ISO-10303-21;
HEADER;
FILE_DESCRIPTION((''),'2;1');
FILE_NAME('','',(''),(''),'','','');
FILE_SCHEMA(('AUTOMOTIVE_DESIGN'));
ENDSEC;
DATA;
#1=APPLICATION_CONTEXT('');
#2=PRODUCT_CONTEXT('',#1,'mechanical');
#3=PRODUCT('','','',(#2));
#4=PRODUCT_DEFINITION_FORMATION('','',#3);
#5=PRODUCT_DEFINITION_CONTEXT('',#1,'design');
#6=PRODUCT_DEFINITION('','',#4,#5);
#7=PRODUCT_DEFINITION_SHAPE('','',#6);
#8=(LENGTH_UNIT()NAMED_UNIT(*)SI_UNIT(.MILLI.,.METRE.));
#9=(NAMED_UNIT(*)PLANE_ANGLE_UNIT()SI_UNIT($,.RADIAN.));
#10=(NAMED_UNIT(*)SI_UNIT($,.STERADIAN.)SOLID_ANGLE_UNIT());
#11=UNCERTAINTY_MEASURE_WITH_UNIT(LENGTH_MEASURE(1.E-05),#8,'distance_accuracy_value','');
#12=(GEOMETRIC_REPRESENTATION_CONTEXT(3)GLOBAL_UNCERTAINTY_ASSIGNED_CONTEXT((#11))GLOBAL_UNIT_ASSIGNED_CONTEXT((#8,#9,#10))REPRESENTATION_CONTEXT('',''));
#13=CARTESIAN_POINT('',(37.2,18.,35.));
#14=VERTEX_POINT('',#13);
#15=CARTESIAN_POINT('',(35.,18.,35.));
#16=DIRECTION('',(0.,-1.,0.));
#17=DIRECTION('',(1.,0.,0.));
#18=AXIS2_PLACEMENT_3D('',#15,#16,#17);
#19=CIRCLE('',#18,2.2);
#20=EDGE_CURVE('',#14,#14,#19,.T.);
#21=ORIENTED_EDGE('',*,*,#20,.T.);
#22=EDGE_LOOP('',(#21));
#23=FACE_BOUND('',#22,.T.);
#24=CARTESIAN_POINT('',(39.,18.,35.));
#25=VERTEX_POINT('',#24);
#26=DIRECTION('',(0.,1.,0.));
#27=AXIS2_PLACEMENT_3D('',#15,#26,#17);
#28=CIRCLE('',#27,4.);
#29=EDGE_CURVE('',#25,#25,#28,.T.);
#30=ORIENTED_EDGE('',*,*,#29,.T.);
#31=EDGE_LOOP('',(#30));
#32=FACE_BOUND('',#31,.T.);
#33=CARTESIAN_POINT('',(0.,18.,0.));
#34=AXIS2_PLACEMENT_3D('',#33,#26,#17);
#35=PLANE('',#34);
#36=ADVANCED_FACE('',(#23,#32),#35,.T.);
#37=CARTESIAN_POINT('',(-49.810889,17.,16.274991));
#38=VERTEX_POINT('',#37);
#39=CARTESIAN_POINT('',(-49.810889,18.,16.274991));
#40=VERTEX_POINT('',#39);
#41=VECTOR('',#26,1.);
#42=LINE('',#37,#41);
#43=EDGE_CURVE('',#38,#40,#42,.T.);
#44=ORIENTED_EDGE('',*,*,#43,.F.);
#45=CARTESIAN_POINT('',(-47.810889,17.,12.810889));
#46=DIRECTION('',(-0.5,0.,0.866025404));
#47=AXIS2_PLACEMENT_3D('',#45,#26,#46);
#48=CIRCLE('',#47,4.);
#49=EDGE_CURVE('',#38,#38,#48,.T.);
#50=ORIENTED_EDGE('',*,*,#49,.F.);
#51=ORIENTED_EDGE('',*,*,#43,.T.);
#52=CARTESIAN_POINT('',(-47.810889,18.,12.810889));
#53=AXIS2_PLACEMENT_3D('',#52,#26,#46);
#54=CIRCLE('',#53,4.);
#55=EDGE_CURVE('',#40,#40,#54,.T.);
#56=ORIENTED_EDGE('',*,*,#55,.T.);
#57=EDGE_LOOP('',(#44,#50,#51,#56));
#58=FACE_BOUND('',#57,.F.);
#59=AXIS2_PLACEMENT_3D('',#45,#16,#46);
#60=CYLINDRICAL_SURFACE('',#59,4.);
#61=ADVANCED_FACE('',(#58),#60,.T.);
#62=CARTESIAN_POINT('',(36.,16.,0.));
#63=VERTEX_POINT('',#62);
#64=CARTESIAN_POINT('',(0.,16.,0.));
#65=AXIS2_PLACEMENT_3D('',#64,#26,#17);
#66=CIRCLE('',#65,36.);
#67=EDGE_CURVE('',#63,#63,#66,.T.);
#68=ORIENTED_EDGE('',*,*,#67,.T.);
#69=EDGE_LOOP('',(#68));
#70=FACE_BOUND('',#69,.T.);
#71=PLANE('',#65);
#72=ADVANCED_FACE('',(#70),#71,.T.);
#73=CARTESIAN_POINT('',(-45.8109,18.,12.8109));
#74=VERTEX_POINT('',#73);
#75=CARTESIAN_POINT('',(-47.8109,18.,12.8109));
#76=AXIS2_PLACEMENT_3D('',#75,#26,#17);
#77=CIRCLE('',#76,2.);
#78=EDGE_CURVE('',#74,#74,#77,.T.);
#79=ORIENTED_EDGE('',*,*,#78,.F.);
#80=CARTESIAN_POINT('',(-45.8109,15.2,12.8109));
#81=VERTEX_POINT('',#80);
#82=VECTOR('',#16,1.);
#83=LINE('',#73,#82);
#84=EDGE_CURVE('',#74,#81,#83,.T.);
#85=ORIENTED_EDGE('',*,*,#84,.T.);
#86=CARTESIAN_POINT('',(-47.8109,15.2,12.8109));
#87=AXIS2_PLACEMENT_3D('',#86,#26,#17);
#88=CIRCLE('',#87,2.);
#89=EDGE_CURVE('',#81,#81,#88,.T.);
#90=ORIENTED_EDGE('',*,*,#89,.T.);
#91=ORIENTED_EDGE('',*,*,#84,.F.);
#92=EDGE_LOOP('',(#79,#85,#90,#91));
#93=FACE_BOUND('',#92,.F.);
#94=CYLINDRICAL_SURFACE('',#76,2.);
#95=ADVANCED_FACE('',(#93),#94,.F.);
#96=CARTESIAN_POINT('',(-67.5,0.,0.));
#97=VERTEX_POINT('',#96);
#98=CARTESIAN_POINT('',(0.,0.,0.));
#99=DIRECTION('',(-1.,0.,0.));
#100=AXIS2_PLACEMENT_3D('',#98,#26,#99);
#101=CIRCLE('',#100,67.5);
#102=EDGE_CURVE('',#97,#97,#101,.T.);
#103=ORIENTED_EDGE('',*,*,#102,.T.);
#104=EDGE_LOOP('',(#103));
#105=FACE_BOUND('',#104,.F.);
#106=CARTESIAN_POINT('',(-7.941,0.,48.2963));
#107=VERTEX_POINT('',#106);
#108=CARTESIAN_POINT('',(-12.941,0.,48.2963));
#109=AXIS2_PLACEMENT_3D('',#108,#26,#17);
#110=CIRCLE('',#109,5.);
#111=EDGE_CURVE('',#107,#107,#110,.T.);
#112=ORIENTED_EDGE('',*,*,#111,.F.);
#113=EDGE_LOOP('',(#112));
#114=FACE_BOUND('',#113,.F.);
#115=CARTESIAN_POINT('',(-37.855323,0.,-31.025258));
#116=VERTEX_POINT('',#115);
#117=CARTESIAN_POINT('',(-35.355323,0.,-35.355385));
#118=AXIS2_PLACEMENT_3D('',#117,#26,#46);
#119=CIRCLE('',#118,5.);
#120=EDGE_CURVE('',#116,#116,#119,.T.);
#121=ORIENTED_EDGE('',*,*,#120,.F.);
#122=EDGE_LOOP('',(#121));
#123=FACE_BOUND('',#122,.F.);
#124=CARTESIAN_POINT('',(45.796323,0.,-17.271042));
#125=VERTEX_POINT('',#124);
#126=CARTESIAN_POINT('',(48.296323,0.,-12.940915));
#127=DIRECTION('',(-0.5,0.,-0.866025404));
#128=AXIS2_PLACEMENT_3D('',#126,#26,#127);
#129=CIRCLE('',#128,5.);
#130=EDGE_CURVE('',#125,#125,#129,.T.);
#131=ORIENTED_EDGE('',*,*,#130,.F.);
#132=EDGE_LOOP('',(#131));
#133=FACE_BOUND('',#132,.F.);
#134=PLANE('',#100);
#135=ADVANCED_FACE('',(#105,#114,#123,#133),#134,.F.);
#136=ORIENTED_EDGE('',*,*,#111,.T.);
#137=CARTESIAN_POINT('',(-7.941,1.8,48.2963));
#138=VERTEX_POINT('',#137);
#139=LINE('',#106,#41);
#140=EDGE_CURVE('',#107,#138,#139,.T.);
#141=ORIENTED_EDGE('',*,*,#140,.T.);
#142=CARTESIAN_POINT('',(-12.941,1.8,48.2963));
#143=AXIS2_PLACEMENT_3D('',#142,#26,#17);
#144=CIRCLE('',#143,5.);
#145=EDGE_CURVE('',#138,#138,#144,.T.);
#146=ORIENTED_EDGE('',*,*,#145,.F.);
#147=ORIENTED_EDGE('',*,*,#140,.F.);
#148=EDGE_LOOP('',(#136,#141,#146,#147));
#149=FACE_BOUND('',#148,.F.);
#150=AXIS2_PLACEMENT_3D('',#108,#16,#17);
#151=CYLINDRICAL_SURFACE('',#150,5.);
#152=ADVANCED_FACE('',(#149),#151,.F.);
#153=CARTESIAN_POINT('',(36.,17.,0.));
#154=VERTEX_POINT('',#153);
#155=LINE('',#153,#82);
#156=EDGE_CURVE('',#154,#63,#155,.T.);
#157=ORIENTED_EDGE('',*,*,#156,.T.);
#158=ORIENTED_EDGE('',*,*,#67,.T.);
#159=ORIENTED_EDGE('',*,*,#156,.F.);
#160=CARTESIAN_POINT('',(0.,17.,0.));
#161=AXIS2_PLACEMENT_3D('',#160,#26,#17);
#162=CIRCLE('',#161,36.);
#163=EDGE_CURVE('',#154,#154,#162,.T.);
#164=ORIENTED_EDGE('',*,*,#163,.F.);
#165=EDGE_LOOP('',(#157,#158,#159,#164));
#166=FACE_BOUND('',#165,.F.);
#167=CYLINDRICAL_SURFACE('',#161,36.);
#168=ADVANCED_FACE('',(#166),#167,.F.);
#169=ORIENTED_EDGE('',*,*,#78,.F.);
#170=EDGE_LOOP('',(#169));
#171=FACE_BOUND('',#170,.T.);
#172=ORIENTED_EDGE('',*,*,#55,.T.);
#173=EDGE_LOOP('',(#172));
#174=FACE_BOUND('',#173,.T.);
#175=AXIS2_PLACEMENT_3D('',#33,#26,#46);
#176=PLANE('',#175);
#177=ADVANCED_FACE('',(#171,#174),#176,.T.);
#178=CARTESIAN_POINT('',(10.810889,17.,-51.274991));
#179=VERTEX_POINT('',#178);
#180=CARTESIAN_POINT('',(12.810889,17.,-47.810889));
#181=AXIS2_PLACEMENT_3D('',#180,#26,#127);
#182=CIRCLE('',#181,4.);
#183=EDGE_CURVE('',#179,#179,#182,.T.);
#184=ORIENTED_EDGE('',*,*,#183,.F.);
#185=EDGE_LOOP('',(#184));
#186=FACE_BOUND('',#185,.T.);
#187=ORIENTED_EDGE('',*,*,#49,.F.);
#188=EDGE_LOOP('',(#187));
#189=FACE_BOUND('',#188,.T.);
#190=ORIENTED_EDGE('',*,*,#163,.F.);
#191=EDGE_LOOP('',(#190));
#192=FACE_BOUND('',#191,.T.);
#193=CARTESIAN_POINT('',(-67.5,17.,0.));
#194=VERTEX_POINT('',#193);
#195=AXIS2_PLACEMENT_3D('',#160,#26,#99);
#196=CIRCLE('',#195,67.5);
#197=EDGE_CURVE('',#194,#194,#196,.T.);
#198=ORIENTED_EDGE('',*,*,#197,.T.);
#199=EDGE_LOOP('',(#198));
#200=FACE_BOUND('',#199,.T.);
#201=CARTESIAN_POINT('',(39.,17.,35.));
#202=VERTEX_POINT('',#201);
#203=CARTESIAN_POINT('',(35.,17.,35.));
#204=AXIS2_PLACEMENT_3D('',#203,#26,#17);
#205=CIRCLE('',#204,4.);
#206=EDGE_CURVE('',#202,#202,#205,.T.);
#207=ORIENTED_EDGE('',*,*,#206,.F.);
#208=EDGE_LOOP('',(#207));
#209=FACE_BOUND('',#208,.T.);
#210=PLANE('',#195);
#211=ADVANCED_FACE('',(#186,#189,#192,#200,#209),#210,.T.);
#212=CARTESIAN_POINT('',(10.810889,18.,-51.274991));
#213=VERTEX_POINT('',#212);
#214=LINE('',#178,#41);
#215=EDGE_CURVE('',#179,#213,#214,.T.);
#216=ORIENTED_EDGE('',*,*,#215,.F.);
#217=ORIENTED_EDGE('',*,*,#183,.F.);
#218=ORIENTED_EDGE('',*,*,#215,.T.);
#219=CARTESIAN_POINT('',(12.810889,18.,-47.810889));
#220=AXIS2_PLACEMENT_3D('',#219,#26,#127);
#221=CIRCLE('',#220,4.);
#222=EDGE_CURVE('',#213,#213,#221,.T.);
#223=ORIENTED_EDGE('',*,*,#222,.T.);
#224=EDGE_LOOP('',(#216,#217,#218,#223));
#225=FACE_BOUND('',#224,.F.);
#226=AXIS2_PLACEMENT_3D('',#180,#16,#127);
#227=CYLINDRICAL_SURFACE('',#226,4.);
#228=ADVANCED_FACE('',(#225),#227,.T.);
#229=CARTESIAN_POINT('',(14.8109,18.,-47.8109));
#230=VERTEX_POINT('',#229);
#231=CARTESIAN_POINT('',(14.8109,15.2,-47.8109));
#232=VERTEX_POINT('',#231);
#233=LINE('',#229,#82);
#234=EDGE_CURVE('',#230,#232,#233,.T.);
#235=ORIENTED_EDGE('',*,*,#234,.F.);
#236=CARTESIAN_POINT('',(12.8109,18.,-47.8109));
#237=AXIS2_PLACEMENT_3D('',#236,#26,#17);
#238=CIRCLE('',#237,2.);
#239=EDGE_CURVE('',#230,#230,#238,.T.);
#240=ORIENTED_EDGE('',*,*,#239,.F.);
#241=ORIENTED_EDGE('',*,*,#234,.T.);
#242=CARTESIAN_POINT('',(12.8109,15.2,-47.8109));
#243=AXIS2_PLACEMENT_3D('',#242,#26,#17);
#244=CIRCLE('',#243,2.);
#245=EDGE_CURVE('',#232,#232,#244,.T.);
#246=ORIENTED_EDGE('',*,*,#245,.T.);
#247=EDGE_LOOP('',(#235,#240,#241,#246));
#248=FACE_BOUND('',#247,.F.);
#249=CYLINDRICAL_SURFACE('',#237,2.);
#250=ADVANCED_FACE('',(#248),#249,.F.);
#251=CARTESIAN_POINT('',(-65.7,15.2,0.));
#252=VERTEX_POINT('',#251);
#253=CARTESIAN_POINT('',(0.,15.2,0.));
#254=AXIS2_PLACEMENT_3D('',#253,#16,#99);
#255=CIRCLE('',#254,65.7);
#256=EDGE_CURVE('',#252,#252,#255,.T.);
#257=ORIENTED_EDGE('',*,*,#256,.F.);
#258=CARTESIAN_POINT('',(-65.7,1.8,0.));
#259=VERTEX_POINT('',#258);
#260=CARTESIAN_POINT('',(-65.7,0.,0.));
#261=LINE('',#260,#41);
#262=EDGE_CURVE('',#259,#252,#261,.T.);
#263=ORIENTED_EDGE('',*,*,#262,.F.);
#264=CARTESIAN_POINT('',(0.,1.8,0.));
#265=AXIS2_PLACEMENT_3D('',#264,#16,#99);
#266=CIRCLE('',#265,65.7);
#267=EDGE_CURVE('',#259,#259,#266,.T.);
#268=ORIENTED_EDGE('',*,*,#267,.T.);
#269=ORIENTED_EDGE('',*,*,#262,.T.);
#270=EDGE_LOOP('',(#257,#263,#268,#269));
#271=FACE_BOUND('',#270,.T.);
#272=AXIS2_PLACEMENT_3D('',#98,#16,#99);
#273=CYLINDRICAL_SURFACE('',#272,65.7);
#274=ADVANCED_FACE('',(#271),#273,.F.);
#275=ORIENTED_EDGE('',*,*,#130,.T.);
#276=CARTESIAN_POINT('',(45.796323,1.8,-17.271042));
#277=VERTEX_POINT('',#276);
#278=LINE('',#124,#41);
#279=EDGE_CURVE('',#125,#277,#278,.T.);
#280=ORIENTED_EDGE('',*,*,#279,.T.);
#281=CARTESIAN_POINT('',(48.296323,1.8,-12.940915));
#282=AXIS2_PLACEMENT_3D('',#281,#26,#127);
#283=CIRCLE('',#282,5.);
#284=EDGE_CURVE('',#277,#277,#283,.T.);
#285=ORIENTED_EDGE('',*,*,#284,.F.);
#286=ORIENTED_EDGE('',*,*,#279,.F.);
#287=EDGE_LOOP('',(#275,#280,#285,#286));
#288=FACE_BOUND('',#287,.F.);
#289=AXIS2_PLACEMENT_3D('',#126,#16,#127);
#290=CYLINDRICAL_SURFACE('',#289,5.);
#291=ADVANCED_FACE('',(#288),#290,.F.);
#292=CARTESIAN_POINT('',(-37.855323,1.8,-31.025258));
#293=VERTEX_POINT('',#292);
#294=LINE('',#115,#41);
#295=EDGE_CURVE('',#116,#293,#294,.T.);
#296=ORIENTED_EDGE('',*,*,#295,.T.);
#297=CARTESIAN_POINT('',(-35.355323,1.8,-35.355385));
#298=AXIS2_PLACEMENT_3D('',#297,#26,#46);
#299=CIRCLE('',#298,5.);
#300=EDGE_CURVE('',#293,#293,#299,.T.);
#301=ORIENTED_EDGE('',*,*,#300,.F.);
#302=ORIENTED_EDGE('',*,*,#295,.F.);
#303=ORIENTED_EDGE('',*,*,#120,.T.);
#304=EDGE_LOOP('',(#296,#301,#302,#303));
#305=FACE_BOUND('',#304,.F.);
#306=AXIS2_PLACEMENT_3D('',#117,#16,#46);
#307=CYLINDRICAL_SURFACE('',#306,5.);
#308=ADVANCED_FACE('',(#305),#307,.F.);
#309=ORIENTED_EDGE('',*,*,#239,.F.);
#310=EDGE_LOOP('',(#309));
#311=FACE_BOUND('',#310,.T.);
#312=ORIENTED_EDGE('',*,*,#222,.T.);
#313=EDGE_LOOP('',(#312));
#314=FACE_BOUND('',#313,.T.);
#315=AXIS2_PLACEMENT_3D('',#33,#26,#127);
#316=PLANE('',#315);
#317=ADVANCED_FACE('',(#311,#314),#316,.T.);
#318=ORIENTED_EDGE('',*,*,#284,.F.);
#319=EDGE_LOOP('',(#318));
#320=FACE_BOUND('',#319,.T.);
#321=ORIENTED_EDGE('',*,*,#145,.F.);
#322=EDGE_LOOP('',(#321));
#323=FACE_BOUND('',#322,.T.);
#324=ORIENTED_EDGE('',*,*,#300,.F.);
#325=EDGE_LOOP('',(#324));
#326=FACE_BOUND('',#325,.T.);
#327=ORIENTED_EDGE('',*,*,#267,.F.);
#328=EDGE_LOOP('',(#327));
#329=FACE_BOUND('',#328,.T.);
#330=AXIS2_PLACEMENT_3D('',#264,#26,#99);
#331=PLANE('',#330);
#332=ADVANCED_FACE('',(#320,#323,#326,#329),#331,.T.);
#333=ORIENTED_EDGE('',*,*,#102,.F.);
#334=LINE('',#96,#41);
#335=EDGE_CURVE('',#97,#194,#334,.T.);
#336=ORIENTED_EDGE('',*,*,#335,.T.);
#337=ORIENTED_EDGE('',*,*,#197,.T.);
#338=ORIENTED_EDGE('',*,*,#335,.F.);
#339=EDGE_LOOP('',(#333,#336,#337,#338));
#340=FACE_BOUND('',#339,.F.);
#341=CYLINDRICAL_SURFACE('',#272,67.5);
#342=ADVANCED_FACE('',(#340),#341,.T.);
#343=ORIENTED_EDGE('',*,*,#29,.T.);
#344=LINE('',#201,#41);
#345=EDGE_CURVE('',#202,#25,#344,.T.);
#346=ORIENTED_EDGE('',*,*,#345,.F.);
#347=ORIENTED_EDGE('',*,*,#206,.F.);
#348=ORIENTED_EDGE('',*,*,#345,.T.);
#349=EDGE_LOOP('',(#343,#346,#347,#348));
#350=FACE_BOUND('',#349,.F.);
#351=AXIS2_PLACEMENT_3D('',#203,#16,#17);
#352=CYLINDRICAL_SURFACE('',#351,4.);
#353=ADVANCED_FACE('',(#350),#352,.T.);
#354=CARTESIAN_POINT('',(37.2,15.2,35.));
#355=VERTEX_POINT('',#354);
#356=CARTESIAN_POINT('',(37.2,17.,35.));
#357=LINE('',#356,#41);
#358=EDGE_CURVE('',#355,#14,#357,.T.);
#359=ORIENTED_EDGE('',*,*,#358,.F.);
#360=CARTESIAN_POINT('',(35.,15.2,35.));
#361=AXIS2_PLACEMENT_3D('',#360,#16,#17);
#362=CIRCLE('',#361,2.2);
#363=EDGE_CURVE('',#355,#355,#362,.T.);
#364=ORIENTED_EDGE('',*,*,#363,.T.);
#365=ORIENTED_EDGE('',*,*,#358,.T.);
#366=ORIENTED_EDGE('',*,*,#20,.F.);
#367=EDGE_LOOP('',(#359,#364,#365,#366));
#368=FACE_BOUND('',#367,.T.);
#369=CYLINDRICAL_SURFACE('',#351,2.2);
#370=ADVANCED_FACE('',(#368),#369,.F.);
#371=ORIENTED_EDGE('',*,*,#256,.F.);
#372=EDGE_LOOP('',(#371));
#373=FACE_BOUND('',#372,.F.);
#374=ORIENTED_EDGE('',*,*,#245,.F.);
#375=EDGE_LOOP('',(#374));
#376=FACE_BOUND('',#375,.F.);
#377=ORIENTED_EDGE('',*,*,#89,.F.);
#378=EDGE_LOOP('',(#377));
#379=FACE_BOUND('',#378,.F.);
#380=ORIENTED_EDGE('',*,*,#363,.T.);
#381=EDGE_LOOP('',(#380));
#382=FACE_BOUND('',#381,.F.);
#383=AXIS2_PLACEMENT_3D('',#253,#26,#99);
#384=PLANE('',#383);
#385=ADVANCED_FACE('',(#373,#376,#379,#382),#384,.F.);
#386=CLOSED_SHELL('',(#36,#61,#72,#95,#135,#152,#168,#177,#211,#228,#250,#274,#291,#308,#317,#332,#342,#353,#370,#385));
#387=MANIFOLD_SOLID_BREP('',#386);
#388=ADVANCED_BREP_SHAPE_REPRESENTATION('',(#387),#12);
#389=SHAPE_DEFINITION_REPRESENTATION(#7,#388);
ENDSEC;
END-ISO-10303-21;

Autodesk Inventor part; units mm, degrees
ref_plane "YZ Plane" through (0, 0, 0) normal (1, 0, 0) x (0, 1, 0)
ref_plane "XZ Plane" through (0, 0, 0) normal (0, 1, 0) x (-1, 0, 0)
ref_plane "XY Plane" through (0, 0, 0) normal (0, 0, 1) x (1, 0, 0)
sketch "草图1" plane through (0, 0, 0) normal (0, 1, 0) x (-1, 0, 0)
  circle A0 centre (0, 0) radius 67.5
  dimension "d0" = 135
extrude "拉伸1" add sketch "草图1" along normal blind 17
sketch "草图3" plane through (0, 17, 0) normal (0, 1, 0) x (1, 0, 0)
  circle A0 centre (35, -35) radius 4
  point P0 (0, 0)
  dimension "d8" = 8
  dimension "d9" = 35
  dimension "d10" = 35
extrude "拉伸3" add sketch "草图3" along normal blind 1
shell "抽壳1" thickness 1.8 removed faces 1 at (33.7054, 18, 35.3191)
sketch "草图6" plane through (0, 17, 0) normal (0, 1, 0) x (1, 0, 0)
  circle A0 centre (0, 0) radius 36
  dimension "d17" = 72
extrude "拉伸5" cut sketch "草图6" against normal blind 1
sketch "草图7" plane through (0, 0, 0) normal (0, -1, 0) x (1, 0, 0)
  circle A0 centre (-12.941, 48.2963) radius 5
  line L0 (0, 0) -> (-12.941, 48.2963)
  line L1 (-94.5, 0) -> (94.5, 0) projected
  circle A1 centre (35, 35) radius 2.2 projected
  line L2 (0, 0) -> (35, 35)
  dimension "d25" = 10
  dimension "d26" = 50
  dimension "d42" = 60
extrude "拉伸6" cut sketch "草图7" against normal blind 2 contours A0
pattern_circular "环形阵列1" count 3 over 360 about axis through (0, 17, 0) along (0, -1, 0) of "拉伸3"
sketch "草图8" plane through (12.8109, 18, -47.8109) normal (0, 1, 0) x (1, 0, 0)
  circle A0 centre (0, 0) radius 2
  point P0 (-12.8109, -47.8109)
  dimension "d32" = 4
extrude "拉伸7" cut sketch "草图8" against normal blind 3
sketch "草图9" plane through (-47.8109, 18, 12.8109) normal (0, 1, 0) x (1, 0, 0)
  circle A0 centre (0, 0) radius 2
  point P0 (47.8109, 12.8109)
  dimension "d35" = 4
extrude "拉伸8" cut sketch "草图9" against normal blind 3
pattern_circular "环形阵列2" count 3 over 360 about axis through (0, 0, 0) along (0, 1, 0) of "拉伸6"
properties part number "底盘" material "水"
